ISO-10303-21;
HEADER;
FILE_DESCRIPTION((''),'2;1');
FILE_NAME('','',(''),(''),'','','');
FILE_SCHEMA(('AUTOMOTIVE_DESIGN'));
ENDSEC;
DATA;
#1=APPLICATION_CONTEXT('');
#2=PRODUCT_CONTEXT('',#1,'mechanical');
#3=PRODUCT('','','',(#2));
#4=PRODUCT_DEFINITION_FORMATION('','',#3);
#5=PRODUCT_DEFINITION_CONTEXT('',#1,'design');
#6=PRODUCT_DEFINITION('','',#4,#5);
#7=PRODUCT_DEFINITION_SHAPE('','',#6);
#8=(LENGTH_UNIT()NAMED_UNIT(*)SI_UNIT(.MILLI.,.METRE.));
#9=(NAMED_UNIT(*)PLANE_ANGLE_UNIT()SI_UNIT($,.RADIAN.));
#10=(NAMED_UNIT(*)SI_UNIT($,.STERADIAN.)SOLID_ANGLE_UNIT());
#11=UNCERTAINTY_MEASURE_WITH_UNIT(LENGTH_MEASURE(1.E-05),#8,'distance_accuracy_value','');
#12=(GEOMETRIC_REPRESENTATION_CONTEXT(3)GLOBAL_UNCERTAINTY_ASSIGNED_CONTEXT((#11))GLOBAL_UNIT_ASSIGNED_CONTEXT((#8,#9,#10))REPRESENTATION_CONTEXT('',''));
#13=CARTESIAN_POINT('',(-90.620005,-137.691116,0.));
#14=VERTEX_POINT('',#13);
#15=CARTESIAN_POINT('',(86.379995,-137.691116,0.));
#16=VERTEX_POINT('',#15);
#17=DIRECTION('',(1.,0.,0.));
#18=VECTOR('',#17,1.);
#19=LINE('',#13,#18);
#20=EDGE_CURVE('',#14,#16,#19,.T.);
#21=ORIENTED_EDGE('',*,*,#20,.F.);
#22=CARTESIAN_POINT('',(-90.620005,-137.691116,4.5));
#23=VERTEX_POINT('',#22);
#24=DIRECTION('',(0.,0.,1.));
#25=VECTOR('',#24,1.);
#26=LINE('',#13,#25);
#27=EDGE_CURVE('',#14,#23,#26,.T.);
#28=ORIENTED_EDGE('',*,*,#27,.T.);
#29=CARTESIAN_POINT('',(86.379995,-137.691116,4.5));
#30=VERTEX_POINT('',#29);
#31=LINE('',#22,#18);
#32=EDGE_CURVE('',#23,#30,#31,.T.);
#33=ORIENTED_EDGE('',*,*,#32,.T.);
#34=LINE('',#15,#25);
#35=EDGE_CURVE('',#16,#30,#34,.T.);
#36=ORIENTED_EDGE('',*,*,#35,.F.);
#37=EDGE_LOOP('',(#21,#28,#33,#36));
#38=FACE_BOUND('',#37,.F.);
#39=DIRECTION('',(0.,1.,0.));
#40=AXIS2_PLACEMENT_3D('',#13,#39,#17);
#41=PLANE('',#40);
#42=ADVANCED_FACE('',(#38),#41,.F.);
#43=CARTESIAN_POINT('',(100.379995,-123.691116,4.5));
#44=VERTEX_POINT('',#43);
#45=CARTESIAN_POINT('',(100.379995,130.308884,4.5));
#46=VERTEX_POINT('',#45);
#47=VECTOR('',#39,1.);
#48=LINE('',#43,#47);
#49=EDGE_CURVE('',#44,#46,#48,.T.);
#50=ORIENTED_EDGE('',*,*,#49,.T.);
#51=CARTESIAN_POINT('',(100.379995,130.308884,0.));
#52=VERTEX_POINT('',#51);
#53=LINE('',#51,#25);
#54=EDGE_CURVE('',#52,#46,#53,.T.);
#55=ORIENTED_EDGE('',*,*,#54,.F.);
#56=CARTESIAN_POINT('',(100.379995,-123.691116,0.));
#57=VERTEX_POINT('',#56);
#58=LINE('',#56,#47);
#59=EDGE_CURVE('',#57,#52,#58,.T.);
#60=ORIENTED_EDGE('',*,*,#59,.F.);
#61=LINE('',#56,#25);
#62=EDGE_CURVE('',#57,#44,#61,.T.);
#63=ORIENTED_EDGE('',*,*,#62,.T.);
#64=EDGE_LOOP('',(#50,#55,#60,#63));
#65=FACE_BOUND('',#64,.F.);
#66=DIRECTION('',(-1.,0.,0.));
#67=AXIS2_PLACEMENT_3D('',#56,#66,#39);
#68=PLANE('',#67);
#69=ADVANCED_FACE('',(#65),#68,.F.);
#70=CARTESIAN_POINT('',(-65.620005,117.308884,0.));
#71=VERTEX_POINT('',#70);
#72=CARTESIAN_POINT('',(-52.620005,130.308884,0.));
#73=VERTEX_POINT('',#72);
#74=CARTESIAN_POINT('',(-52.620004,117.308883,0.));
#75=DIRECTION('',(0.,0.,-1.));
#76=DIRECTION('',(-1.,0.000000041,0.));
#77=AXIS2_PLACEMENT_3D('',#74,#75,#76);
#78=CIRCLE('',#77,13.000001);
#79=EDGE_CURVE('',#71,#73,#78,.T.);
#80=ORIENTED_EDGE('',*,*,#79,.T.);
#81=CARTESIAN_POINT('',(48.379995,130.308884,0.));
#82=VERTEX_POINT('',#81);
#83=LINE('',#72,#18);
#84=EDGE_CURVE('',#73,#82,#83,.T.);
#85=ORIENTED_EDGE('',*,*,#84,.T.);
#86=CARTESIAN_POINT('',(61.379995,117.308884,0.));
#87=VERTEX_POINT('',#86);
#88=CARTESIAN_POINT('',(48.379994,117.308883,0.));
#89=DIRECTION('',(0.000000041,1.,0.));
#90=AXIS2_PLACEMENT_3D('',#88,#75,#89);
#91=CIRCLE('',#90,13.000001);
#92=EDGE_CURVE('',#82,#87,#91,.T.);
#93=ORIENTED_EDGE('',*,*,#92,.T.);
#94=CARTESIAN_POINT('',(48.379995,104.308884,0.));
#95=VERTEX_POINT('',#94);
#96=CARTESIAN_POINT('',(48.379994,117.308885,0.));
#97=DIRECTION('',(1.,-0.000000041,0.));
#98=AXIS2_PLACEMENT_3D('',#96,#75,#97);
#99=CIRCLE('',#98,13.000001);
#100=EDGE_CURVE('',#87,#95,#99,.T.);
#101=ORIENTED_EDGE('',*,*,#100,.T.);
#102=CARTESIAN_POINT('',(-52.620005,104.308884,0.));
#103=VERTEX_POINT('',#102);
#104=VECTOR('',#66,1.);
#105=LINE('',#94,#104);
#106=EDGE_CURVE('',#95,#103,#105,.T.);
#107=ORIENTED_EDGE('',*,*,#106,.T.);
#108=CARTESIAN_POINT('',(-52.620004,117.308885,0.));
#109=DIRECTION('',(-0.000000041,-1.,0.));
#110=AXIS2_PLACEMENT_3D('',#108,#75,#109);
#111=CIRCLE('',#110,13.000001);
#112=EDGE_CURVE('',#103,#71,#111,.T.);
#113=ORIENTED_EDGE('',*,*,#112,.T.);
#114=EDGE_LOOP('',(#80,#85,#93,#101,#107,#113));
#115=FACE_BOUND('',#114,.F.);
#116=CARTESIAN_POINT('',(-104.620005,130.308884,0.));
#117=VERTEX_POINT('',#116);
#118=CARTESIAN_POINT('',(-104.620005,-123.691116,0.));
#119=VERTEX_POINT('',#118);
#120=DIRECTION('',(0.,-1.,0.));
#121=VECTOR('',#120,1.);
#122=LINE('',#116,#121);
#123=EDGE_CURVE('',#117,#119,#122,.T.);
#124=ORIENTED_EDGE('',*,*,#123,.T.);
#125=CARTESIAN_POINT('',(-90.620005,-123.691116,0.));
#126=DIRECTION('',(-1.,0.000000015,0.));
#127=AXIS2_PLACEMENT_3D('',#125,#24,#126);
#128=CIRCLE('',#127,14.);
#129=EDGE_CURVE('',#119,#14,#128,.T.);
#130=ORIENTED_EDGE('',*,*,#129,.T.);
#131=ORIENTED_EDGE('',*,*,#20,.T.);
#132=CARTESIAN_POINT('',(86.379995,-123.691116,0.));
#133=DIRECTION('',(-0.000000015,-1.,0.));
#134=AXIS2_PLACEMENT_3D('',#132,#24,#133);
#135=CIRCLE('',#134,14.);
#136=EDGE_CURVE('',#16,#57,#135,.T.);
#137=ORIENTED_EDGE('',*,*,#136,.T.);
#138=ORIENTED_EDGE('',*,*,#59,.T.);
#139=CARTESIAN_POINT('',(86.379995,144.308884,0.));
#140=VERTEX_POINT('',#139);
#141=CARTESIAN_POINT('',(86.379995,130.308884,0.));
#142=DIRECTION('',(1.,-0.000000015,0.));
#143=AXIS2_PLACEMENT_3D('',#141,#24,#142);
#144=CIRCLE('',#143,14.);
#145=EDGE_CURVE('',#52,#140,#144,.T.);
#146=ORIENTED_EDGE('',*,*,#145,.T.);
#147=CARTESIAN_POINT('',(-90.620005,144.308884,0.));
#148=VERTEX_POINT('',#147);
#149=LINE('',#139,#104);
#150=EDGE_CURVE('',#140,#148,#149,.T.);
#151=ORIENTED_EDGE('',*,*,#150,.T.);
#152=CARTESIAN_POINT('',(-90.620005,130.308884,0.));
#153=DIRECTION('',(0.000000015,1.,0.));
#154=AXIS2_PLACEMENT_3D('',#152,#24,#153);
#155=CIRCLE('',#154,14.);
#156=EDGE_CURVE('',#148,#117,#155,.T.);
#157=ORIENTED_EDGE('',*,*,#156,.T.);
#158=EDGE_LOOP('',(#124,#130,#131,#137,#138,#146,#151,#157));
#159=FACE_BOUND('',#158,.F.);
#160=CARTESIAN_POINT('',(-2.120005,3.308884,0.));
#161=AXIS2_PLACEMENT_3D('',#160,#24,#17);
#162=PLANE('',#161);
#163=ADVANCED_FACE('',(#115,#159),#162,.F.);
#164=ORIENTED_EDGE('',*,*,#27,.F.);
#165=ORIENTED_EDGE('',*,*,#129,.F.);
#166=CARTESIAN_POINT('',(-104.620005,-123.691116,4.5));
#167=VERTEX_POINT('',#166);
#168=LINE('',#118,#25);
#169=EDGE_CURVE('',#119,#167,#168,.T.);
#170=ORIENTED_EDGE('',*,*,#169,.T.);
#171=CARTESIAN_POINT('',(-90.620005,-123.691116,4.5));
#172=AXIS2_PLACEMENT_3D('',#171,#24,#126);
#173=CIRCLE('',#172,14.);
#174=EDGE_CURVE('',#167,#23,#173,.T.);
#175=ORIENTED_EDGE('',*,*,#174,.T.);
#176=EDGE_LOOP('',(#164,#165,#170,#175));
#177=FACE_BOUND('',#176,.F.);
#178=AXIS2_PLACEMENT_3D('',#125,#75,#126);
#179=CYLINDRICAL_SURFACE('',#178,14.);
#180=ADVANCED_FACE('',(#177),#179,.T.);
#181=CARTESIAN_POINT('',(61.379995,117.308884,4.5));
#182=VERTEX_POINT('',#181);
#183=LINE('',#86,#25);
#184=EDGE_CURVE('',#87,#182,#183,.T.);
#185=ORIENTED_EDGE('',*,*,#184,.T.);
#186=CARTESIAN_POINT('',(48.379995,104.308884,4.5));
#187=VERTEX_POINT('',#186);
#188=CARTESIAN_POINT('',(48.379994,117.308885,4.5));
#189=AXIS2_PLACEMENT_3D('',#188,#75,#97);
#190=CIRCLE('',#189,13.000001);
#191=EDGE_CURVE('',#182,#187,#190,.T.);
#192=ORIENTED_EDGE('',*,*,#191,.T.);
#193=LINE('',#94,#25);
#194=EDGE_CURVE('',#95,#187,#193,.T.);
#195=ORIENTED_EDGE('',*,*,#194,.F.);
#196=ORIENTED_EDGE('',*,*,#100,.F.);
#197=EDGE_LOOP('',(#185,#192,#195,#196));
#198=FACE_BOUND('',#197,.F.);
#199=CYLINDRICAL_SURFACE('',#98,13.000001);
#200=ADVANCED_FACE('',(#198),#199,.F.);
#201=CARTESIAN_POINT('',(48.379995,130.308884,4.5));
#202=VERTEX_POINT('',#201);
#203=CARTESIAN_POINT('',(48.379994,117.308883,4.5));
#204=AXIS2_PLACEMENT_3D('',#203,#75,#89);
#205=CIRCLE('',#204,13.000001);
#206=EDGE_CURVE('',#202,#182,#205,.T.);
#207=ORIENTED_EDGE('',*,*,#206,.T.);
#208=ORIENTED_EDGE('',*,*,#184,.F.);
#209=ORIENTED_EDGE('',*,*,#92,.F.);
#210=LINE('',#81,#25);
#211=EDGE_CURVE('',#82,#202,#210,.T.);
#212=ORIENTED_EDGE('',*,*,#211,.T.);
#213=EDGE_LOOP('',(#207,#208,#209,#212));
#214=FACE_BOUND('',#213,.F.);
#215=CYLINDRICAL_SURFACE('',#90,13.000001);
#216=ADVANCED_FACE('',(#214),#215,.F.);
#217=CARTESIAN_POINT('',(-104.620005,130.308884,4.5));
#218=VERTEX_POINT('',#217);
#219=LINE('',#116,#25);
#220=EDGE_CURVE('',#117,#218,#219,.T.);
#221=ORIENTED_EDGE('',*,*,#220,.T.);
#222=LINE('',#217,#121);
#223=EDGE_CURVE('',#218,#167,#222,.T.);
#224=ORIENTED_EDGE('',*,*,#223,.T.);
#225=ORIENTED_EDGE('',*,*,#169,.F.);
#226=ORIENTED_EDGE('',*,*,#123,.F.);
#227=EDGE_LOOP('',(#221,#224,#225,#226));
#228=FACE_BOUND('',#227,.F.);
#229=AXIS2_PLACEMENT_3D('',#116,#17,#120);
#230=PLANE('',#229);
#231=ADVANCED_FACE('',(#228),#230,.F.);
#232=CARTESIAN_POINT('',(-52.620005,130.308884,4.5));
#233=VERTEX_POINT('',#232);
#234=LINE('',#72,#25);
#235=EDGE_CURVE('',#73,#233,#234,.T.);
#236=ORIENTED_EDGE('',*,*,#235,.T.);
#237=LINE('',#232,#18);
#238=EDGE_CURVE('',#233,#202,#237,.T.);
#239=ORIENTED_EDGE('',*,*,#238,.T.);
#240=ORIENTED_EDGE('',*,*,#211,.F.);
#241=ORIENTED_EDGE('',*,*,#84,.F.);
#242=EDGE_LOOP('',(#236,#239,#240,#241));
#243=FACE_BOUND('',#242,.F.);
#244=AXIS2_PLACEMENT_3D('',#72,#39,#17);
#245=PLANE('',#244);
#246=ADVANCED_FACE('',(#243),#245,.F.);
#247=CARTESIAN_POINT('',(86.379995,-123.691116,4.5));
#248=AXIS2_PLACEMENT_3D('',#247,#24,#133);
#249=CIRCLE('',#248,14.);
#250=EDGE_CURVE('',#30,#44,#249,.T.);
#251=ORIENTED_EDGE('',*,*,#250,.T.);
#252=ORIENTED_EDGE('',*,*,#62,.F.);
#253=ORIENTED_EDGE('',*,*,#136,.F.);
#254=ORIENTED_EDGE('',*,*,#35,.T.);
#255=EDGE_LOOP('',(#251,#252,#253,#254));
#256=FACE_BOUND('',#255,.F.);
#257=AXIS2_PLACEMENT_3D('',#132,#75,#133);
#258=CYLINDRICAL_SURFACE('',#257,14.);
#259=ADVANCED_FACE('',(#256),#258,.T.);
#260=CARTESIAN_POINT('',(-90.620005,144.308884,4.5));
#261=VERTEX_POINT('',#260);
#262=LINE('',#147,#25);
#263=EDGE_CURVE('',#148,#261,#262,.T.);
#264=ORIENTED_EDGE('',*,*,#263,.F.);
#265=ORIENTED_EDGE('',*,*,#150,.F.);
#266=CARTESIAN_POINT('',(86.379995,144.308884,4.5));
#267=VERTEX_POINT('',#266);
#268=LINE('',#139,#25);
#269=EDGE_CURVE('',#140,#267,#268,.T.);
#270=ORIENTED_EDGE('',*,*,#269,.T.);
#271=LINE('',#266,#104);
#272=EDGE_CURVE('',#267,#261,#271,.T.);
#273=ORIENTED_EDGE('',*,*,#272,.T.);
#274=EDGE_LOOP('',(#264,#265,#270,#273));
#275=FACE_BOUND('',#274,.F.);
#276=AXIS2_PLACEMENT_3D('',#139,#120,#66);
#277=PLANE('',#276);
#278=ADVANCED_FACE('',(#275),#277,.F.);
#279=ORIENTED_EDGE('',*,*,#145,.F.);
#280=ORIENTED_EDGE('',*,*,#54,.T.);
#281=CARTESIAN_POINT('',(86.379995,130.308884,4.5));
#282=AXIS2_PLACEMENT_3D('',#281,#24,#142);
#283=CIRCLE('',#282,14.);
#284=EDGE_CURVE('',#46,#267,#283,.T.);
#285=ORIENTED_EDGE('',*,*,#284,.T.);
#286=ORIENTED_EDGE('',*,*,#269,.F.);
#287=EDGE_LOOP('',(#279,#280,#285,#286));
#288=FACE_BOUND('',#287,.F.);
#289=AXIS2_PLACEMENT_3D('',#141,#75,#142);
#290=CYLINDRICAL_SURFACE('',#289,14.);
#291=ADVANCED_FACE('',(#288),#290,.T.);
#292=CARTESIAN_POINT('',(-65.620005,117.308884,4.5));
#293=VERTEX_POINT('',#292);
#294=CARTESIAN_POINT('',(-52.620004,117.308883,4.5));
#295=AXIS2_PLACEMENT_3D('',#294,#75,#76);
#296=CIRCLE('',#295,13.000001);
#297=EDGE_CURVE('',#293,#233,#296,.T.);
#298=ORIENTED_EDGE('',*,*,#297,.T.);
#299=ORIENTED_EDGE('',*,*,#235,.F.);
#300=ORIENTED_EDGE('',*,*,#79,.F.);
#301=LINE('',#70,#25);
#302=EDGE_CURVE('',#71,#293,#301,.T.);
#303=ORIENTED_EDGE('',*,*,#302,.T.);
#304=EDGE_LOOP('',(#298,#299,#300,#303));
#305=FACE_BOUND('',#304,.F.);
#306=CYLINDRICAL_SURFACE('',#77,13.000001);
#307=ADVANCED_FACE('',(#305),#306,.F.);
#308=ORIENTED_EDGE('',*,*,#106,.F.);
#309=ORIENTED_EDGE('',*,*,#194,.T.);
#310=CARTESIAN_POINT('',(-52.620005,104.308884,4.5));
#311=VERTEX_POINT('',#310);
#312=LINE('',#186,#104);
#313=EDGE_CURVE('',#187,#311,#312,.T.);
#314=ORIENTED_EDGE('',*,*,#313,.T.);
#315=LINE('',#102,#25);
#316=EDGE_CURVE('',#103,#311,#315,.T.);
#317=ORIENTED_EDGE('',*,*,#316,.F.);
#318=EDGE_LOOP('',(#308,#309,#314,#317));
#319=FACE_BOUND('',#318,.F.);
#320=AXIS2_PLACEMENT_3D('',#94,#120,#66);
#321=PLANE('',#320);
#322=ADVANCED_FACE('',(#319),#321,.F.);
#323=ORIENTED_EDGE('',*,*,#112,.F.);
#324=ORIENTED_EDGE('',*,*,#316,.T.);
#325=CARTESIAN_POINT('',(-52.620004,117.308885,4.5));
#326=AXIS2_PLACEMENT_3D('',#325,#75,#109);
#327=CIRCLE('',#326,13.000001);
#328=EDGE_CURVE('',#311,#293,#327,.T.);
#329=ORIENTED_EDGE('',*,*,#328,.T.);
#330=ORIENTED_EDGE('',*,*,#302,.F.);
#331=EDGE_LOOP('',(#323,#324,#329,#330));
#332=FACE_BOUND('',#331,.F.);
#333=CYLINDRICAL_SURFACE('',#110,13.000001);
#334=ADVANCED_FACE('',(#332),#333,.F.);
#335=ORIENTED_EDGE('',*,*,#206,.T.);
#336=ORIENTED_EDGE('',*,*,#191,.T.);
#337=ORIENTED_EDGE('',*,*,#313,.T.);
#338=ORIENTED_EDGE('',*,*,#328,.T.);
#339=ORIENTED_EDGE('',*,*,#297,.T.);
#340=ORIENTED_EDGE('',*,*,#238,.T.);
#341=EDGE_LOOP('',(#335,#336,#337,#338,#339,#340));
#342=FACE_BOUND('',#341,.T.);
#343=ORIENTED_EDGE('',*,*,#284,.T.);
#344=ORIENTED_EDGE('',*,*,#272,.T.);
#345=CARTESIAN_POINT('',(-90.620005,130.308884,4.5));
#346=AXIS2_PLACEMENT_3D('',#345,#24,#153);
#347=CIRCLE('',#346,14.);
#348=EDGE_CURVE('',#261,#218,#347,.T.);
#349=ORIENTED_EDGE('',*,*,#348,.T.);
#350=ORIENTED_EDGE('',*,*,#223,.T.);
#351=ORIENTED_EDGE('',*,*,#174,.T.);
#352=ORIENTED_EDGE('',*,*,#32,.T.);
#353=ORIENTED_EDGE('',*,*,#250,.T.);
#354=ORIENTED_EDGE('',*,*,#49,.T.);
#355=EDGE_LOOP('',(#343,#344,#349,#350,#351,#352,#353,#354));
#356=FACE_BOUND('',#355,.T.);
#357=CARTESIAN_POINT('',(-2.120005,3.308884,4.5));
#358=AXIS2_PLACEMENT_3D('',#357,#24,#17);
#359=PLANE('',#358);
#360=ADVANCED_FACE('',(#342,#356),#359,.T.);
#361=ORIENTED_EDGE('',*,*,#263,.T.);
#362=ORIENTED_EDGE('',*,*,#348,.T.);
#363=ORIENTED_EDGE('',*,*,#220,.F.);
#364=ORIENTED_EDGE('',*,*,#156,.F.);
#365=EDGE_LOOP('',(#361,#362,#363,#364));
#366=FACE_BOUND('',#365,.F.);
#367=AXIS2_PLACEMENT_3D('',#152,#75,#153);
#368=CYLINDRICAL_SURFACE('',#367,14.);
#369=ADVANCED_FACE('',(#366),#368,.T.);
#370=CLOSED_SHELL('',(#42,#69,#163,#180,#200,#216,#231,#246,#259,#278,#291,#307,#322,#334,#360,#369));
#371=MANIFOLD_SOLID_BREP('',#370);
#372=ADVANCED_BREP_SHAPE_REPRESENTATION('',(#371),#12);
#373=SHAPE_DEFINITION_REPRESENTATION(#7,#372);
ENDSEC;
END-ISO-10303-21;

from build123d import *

# Parameters (mm, degrees)
F1_DEPTH = 4.5


with BuildPart() as f1:
    # F0 (on Top) → F1 (new body)
    with BuildSketch(Plane.XY):
        with BuildLine():
            Line((86.379995, 144.308884), (-90.620005, 144.308884))
            ThreePointArc((-90.620005, 144.308884), (-100.5195, 140.208379), (-104.620005, 130.308884))
            Line((-104.620005, 130.308884), (-104.620005, -123.691116))
            ThreePointArc((-104.620005, -123.691116), (-100.5195, -133.590611), (-90.620005, -137.691116))
            Line((-90.620005, -137.691116), (86.379995, -137.691116))
            ThreePointArc((86.379995, -137.691116), (96.27949, -133.590611), (100.379995, -123.691116))
            Line((100.379995, -123.691116), (100.379995, 130.308884))
            ThreePointArc((100.379995, 130.308884), (96.27949, 140.208379), (86.379995, 144.308884))
        make_face()
        with BuildLine():
            ThreePointArc((-65.620005, 117.308884), (-61.812393, 126.501272), (-52.620005, 130.308884))
            Line((-52.620005, 130.308884), (48.379995, 130.308884))
            ThreePointArc((48.379995, 130.308884), (57.572383, 126.501272), (61.379995, 117.308884))
            ThreePointArc((61.379995, 117.308884), (57.572383, 108.116496), (48.379995, 104.308884))
            Line((48.379995, 104.308884), (-52.620005, 104.308884))
            ThreePointArc((-52.620005, 104.308884), (-61.812393, 108.116496), (-65.620005, 117.308884))
        make_face(mode=Mode.SUBTRACT)
    extrude(amount=F1_DEPTH)


solid = f1.part
